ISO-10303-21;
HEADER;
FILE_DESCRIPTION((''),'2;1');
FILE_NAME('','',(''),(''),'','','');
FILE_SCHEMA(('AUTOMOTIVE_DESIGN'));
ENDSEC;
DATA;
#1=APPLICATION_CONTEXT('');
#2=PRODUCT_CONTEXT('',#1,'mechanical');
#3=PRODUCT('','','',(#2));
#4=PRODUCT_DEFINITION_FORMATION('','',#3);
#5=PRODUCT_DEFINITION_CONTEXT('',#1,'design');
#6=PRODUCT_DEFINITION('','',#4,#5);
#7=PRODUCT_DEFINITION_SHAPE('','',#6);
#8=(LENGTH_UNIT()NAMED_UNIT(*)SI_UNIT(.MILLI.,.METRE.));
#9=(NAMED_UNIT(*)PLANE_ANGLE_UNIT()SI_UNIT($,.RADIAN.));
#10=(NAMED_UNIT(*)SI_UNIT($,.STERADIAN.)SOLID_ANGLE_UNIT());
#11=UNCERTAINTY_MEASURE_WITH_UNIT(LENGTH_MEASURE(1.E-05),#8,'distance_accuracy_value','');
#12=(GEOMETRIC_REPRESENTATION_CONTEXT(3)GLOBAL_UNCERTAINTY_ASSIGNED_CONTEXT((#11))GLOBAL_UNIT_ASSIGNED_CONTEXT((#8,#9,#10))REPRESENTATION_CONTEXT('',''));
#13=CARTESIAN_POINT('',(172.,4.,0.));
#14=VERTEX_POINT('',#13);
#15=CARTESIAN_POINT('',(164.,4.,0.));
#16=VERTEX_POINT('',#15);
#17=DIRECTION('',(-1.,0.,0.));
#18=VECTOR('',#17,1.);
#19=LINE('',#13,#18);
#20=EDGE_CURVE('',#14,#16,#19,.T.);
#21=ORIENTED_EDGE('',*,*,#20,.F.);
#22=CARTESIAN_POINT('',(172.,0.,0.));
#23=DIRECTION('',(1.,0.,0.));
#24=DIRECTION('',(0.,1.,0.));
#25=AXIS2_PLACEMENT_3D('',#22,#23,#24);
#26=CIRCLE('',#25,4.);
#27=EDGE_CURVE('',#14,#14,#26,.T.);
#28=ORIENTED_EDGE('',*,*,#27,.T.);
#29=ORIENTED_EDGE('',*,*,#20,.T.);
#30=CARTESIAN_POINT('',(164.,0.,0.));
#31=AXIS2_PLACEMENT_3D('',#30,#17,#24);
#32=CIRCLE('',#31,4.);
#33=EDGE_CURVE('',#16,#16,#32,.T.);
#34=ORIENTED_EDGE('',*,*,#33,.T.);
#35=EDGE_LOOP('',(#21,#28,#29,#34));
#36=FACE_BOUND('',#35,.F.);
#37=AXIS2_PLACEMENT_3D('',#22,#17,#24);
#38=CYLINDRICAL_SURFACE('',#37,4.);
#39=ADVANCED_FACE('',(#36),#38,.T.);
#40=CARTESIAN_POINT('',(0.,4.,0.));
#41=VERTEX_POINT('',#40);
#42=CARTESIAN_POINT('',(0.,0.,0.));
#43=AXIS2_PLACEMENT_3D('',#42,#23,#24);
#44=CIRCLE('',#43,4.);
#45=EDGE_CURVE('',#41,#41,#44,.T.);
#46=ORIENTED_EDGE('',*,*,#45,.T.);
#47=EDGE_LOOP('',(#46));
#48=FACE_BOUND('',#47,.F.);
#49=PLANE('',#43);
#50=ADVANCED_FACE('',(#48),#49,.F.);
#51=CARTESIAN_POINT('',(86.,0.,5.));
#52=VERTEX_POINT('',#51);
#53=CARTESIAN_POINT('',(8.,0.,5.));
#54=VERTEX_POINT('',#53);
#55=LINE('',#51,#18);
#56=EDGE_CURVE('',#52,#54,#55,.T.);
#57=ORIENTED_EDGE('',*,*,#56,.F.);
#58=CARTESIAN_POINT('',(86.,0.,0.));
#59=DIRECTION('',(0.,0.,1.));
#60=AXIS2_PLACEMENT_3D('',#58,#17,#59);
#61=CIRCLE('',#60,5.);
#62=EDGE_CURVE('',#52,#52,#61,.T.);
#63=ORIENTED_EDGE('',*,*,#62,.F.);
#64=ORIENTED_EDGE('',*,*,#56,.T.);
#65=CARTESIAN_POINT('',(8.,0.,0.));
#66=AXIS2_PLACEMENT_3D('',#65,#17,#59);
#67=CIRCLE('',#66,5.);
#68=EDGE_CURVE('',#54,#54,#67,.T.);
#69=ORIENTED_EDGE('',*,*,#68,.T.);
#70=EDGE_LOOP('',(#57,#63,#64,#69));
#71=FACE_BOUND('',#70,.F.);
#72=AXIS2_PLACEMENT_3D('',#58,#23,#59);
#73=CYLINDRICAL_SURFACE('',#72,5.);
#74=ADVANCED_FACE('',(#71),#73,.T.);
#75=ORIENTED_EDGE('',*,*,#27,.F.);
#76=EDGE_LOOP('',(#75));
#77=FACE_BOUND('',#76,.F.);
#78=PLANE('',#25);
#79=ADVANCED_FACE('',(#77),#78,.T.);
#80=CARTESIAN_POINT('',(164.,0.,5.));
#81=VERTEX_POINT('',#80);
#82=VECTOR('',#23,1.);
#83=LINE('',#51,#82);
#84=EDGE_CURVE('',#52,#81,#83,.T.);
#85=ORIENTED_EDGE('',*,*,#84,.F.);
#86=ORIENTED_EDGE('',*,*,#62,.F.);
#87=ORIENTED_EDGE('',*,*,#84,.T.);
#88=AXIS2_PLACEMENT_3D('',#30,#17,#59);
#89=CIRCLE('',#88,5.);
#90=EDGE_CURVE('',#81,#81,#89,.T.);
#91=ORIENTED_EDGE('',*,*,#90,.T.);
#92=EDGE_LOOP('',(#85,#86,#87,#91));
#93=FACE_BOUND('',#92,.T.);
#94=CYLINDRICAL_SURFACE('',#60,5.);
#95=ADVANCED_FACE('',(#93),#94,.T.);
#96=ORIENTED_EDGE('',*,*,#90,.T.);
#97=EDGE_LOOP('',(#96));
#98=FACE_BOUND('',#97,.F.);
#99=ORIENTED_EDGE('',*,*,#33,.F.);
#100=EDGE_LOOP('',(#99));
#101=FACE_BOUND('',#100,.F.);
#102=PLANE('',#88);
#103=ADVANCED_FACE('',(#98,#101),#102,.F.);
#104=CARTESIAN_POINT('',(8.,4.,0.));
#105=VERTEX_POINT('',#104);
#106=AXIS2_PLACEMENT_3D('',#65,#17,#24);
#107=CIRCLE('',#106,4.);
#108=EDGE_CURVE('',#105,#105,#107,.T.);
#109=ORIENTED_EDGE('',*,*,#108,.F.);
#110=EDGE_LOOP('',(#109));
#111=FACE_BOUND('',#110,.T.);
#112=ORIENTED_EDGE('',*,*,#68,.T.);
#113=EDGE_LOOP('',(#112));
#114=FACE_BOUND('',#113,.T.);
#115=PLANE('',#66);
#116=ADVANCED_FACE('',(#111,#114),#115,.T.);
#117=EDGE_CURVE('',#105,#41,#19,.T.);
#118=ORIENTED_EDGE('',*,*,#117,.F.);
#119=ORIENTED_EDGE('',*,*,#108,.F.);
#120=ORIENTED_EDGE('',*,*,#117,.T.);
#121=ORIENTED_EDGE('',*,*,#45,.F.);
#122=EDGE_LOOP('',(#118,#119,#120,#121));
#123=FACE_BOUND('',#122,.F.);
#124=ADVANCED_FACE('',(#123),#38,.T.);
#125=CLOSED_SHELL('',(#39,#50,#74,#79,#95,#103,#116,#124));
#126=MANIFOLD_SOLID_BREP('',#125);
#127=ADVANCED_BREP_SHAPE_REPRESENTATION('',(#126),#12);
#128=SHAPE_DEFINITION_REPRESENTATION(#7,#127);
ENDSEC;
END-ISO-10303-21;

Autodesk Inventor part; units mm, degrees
ref_plane "YZ Plane" through (0, 0, 0) normal (1, 0, 0) x (0, 1, 0)
ref_plane "XZ Plane" through (0, 0, 0) normal (0, 1, 0) x (-1, 0, 0)
sketch "Sketch3" plane through (0, 0, 0) normal (0, 0, 1) x (1, 0, 0)
  line L0 (0, 0) -> (172, 0)
  line L1 (172, 0) -> (172, 4)
  line L2 (172, 4) -> (0, 4)
  line L3 (0, 4) -> (0, 0)
  dimension "d6" = 172
  dimension "d7" = 4
revolve "Revolution1" add sketch "Sketch3" angle 360 about axis through (0, 0, 0) along (1, 0, 0)
ref_plane "Work Plane2" through (86, 0, 0) normal (-1, 0, 0) x (0, 0, 1)
sketch "Sketch6" plane through (86, 0, 0) normal (-1, 0, 0) x (0, 0, 1)
  circle A0 centre (0, 0) radius 5
  dimension "d12" = 10
extrude "Extrusion2" add sketch "Sketch6" along normal blind 78 and the other way blind 78
properties part number "Manivelle"
